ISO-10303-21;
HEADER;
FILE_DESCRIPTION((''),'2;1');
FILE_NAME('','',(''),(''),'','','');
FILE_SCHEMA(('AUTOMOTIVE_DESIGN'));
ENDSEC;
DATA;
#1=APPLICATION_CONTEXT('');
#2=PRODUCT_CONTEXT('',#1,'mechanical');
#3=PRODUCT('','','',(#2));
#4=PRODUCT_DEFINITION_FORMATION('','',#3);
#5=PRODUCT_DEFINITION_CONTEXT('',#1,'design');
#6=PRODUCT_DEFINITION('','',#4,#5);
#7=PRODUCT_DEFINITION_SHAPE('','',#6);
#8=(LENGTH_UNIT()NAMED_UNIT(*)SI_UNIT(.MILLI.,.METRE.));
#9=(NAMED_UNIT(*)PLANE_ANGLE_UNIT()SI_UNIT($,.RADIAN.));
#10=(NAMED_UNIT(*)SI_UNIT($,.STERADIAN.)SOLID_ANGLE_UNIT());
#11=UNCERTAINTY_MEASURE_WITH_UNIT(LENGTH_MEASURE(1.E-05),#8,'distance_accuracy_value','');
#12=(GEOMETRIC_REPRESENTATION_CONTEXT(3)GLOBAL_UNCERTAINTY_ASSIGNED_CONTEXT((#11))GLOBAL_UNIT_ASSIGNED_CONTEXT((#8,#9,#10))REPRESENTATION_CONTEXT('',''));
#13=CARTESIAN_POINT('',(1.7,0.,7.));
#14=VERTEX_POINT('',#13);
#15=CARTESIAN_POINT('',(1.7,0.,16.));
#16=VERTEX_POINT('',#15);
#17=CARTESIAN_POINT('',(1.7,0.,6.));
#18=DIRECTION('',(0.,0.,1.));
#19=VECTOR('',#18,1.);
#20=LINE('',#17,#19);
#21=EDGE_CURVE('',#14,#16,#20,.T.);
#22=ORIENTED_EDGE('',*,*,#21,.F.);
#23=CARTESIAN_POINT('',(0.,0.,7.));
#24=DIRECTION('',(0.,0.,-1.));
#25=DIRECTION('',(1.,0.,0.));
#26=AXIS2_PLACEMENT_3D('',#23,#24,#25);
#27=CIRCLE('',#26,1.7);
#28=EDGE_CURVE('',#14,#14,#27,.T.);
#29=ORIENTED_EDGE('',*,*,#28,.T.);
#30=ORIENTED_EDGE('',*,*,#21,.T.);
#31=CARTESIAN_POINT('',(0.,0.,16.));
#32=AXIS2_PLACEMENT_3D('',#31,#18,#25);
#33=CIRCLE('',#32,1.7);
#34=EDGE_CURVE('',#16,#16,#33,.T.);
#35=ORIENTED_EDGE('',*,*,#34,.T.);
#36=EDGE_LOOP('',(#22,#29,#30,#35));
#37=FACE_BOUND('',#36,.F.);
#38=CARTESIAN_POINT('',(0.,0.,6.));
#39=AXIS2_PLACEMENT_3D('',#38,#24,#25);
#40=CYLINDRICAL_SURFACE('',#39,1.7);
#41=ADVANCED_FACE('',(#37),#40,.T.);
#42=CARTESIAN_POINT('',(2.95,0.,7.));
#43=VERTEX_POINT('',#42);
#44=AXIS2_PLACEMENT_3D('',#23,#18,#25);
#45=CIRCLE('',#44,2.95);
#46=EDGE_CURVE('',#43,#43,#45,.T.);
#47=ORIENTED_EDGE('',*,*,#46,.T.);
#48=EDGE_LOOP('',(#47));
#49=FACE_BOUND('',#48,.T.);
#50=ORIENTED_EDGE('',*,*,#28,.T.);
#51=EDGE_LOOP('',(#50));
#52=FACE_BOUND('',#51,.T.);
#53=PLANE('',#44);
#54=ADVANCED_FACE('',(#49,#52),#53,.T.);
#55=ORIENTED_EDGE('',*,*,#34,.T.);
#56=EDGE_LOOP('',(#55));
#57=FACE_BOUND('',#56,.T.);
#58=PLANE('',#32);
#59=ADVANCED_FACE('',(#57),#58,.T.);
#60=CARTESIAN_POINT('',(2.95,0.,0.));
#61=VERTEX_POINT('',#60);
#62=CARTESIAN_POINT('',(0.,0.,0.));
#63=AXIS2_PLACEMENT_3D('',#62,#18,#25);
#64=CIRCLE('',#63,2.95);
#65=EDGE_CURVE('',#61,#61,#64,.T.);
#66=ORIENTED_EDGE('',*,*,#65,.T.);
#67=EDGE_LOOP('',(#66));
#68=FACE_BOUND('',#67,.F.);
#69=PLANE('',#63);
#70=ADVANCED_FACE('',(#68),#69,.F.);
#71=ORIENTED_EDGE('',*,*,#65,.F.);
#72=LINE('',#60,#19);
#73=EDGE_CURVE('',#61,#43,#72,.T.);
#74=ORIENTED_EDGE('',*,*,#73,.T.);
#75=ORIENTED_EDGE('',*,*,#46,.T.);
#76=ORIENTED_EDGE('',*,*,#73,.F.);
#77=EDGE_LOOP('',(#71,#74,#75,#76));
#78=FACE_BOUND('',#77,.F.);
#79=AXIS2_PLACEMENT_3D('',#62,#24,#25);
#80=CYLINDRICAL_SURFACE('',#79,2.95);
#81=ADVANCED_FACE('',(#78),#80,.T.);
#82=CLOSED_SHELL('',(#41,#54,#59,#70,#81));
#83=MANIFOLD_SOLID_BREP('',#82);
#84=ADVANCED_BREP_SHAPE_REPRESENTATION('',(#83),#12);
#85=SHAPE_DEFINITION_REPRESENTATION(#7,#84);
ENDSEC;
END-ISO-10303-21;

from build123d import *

# Parameters (mm, degrees)
CYLINDER_R        = 2.95
CYLINDER_DEPTH    = 7
CYLINDER001_R     = 1.7
CYLINDER001_DEPTH = 10


with BuildPart() as m3bolthead:
    # Cylinder → Cylinder (new body)
    with BuildSketch(Plane.XY):
        Circle(CYLINDER_R)
    extrude(amount=CYLINDER_DEPTH)


with BuildPart() as m3bolt:
    # Cylinder001 → Cylinder001 (new body)
    with BuildSketch(Plane.XY.offset(6)):
        Circle(CYLINDER001_R)
    extrude(amount=CYLINDER001_DEPTH)

    # Fusion: union M3BoltHead
    add(m3bolthead.part)


solid = m3bolt.part
